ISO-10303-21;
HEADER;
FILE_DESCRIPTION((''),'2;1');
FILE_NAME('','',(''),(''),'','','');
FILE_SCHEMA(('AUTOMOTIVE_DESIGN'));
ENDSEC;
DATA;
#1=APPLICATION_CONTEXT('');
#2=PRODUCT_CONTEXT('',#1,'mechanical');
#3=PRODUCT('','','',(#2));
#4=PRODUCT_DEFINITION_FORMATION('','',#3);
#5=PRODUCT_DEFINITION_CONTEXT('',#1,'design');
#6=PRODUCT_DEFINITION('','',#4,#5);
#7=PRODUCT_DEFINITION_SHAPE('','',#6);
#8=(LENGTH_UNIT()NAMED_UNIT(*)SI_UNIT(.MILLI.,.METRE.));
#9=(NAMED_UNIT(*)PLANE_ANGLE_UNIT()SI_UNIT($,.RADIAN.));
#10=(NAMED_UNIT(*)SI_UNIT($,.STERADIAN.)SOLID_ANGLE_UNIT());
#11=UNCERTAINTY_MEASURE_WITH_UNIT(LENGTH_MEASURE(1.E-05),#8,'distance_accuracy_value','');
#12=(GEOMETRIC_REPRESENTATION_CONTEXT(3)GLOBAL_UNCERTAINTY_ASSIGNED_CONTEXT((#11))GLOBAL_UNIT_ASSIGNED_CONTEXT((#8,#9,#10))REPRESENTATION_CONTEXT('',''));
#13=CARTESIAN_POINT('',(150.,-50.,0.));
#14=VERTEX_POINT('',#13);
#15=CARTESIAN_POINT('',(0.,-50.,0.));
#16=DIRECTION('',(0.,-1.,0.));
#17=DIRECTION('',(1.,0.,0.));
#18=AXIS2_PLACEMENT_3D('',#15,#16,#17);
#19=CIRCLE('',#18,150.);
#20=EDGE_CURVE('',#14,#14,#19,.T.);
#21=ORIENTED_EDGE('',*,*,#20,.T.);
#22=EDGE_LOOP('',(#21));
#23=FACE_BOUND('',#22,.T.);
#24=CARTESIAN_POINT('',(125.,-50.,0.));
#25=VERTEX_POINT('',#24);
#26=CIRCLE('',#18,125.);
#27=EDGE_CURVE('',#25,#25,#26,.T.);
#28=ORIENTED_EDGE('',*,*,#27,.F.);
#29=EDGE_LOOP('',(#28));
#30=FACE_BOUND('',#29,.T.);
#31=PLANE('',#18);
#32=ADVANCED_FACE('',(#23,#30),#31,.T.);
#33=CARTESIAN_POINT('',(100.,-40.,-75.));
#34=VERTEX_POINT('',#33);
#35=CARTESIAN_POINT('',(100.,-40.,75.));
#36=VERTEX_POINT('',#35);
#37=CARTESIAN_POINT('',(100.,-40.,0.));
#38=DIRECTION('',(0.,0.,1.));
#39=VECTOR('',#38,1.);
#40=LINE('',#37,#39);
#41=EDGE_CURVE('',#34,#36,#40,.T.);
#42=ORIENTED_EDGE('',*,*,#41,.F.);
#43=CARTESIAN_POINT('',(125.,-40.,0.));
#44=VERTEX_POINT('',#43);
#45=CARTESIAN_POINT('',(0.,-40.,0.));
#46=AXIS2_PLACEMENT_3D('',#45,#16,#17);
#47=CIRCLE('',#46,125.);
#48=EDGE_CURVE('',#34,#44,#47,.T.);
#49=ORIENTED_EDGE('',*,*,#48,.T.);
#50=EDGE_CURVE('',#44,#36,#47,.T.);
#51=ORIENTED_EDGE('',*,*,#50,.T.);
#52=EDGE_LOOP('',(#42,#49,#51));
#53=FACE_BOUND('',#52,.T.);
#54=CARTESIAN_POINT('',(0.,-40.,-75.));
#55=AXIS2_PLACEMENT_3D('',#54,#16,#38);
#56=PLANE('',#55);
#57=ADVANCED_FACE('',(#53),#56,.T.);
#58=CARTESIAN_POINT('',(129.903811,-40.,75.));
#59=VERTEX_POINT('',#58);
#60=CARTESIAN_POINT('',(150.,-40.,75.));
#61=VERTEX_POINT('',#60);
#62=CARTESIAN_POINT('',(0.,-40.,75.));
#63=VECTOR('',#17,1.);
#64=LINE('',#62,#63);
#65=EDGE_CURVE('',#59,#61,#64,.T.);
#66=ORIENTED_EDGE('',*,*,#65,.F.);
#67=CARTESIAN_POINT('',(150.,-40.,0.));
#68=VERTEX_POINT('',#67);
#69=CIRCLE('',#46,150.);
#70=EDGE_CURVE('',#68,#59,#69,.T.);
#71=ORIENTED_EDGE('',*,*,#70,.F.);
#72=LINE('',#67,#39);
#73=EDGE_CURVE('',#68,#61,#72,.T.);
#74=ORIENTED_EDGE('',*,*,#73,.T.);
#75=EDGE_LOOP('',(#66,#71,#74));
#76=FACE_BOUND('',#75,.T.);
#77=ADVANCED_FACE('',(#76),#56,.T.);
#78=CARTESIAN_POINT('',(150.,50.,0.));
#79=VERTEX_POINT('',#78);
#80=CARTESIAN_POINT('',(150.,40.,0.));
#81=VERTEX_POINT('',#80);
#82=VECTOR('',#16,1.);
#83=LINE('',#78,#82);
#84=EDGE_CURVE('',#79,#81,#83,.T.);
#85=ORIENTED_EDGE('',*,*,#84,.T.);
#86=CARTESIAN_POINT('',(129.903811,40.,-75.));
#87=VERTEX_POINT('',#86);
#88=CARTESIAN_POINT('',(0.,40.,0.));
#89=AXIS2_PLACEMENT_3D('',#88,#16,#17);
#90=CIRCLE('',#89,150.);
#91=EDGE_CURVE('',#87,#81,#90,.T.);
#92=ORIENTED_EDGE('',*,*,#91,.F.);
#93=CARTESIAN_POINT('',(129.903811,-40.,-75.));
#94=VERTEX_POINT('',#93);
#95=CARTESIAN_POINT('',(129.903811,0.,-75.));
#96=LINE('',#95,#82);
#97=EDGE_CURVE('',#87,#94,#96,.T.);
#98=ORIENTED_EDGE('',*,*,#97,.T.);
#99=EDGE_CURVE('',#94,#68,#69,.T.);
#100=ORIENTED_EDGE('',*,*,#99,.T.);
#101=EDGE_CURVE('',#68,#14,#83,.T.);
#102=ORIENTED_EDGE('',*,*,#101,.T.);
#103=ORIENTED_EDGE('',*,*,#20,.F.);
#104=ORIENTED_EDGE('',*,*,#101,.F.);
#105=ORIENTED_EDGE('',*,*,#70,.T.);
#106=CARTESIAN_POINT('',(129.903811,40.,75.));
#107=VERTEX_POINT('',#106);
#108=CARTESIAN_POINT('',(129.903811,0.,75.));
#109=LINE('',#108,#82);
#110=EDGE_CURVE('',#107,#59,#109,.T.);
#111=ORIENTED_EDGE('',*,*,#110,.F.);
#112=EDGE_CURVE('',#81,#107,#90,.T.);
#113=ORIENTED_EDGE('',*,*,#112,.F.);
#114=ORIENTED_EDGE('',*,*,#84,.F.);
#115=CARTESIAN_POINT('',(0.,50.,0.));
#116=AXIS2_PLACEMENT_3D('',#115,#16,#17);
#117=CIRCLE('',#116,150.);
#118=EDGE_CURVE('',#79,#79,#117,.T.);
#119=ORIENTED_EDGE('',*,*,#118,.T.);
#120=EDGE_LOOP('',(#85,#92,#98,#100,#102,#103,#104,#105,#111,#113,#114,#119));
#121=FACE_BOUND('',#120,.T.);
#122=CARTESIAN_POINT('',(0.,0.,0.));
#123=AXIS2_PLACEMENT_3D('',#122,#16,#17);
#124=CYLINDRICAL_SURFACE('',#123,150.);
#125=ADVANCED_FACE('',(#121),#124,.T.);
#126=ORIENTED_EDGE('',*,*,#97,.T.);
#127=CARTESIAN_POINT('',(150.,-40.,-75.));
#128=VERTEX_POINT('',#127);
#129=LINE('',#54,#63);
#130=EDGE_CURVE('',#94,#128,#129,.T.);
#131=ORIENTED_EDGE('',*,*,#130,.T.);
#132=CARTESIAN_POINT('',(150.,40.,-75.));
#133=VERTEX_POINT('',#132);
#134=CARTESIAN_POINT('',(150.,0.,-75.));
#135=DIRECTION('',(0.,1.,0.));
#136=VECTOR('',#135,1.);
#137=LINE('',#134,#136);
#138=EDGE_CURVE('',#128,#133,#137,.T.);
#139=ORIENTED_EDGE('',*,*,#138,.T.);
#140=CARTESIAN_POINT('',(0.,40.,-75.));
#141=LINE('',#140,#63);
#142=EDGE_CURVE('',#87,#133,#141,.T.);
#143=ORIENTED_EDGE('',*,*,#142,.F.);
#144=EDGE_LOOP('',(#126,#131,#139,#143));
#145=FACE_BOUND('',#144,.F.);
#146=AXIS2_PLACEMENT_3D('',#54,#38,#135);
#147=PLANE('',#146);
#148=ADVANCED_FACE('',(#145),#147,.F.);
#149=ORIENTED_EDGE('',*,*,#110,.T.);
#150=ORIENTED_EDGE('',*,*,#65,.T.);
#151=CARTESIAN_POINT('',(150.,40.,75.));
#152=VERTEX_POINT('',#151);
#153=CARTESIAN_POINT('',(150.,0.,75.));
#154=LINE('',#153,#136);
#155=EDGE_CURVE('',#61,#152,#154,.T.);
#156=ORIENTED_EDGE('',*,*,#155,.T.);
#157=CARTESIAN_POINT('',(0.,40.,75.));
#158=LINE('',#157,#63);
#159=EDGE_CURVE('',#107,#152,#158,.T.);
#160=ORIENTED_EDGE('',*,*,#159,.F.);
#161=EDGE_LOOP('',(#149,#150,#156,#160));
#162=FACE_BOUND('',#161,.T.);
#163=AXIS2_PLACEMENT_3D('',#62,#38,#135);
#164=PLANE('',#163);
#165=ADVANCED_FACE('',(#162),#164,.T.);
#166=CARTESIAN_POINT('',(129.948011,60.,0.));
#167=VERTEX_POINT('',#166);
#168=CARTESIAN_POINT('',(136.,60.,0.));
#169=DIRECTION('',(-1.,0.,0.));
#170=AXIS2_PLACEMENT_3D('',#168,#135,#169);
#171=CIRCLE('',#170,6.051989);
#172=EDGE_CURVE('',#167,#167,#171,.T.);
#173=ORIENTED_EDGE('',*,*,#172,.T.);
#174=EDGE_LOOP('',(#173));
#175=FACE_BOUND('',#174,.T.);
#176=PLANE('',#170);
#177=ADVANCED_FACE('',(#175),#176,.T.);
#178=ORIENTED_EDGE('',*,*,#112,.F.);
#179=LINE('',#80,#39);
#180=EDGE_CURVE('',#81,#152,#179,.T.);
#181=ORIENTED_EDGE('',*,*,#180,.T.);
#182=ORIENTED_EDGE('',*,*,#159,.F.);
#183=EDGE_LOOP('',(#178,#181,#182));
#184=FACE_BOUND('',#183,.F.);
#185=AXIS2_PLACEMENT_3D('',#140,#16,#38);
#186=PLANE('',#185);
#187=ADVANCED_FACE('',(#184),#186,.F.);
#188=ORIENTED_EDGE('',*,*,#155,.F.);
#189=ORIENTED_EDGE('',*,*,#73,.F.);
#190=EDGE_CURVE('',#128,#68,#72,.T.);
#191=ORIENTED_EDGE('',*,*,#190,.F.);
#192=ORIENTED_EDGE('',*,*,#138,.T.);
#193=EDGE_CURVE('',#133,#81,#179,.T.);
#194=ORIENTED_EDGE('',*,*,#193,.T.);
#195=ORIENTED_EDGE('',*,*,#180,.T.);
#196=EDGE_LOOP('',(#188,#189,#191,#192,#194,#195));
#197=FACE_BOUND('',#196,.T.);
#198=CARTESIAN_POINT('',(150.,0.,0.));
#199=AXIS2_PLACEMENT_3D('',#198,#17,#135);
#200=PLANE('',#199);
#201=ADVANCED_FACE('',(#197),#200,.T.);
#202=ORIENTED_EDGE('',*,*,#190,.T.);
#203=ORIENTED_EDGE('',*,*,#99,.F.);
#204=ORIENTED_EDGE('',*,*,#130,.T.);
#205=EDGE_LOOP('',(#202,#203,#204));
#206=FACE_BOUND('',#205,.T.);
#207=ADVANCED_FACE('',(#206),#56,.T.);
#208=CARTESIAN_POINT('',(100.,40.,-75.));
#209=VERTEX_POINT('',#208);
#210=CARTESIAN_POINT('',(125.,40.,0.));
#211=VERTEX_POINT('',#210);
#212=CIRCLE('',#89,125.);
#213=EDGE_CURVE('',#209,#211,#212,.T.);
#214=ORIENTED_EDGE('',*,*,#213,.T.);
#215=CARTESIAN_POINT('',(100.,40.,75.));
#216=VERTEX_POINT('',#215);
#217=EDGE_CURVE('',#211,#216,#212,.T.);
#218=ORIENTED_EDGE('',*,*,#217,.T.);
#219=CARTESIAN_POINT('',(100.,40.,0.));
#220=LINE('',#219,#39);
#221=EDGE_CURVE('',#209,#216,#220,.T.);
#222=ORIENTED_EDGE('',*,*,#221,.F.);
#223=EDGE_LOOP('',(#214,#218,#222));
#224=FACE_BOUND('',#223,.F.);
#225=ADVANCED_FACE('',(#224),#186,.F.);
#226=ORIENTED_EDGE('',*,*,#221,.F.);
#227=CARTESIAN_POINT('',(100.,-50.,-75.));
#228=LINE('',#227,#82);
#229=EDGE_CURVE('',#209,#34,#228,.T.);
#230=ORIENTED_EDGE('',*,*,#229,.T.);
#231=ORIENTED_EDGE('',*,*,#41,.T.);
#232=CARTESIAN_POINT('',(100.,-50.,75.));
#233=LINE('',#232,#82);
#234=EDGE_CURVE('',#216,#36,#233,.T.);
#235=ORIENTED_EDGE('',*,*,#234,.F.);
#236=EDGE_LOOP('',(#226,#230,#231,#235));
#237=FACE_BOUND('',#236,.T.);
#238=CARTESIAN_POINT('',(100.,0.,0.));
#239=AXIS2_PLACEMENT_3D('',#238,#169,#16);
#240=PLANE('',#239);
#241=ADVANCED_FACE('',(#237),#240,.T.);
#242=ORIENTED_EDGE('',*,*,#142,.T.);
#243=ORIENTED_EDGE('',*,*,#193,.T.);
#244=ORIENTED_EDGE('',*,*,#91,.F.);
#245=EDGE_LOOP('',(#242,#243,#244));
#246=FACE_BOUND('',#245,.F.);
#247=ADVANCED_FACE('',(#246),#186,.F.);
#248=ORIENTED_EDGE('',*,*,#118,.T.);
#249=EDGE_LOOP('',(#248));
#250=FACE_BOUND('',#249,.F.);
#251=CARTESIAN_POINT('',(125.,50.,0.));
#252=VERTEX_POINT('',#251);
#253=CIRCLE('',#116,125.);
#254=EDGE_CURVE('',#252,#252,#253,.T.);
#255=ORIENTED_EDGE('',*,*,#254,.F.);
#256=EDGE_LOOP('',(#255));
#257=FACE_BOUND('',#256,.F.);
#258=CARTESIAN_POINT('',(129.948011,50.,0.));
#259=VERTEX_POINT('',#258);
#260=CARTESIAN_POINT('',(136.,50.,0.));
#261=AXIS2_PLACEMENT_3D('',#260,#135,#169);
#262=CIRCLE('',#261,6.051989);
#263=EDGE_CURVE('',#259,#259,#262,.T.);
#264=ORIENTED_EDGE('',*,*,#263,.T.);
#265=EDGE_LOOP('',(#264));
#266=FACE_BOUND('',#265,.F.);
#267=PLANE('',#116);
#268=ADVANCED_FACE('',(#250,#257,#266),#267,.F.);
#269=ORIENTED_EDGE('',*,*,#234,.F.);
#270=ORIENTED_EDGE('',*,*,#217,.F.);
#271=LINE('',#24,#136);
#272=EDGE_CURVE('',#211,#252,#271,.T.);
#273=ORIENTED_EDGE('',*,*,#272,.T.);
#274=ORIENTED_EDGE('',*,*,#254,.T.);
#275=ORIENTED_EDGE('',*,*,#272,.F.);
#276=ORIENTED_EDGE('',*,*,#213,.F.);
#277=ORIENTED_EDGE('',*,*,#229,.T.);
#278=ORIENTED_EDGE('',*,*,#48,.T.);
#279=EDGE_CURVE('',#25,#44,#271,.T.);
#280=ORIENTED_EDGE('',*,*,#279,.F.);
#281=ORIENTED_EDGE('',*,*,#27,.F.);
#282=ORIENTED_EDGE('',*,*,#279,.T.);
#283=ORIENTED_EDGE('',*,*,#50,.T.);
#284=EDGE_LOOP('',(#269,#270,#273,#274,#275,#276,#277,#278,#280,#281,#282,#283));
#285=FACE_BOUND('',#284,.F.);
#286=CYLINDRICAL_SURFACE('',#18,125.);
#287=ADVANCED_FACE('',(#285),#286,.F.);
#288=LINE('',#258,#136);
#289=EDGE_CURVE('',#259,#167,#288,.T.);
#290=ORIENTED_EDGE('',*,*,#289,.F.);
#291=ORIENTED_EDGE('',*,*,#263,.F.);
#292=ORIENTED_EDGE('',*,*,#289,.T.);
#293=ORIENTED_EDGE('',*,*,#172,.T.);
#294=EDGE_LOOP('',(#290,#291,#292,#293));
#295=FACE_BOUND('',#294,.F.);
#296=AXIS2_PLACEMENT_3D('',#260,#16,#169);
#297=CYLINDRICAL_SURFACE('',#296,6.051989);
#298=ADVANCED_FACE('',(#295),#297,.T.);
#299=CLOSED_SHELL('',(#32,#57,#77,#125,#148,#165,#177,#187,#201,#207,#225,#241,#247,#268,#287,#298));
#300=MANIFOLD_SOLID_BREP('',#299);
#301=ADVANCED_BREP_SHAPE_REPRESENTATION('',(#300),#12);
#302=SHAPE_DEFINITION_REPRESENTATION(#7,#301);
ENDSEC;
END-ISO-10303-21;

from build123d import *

# Parameters (mm, degrees)
F0_R     = 150
F1_DEPTH = 50
F2_R     = 125
F3_DEPTH = 100
F4_W     = 80
F4_H     = 150
F5_DEPTH = 150
F6_W     = 80
F6_H     = 150
F7_DEPTH = 100
F8_R     = 6.051989
F9_DEPTH = 10


with BuildPart() as f1:
    # F0 (on Front) → F1 (new body, symmetric)
    with BuildSketch(Plane.XZ):
        Circle(F0_R)
    extrude(amount=F1_DEPTH, both=True)

    # F2 (on face) → F3 (cut, through all)
    with BuildSketch(Plane.XZ.offset(50)):
        Circle(F2_R)
    extrude(amount=-F3_DEPTH, mode=Mode.SUBTRACT)

    # F4 (on Right) → F5 (join)
    with BuildSketch(Plane.YZ):
        Rectangle(F4_W, F4_H)
    extrude(amount=F5_DEPTH)

    # F6 (on face) → F7 (cut)
    with BuildSketch(Plane(origin=(0, 0, 0), x_dir=(0, -1, 0), z_dir=(-1, 0, 0))):
        Rectangle(F6_W, F6_H)
    extrude(amount=-F7_DEPTH, mode=Mode.SUBTRACT)

    # F8 (on face) → F9 (join)
    with BuildSketch(Plane(origin=(0, 50, 0), x_dir=(-1, 0, 0), z_dir=(0, 1, 0))):
        with Locations((-136, 0)):
            Circle(F8_R)
    extrude(amount=F9_DEPTH)


solid = f1.part
